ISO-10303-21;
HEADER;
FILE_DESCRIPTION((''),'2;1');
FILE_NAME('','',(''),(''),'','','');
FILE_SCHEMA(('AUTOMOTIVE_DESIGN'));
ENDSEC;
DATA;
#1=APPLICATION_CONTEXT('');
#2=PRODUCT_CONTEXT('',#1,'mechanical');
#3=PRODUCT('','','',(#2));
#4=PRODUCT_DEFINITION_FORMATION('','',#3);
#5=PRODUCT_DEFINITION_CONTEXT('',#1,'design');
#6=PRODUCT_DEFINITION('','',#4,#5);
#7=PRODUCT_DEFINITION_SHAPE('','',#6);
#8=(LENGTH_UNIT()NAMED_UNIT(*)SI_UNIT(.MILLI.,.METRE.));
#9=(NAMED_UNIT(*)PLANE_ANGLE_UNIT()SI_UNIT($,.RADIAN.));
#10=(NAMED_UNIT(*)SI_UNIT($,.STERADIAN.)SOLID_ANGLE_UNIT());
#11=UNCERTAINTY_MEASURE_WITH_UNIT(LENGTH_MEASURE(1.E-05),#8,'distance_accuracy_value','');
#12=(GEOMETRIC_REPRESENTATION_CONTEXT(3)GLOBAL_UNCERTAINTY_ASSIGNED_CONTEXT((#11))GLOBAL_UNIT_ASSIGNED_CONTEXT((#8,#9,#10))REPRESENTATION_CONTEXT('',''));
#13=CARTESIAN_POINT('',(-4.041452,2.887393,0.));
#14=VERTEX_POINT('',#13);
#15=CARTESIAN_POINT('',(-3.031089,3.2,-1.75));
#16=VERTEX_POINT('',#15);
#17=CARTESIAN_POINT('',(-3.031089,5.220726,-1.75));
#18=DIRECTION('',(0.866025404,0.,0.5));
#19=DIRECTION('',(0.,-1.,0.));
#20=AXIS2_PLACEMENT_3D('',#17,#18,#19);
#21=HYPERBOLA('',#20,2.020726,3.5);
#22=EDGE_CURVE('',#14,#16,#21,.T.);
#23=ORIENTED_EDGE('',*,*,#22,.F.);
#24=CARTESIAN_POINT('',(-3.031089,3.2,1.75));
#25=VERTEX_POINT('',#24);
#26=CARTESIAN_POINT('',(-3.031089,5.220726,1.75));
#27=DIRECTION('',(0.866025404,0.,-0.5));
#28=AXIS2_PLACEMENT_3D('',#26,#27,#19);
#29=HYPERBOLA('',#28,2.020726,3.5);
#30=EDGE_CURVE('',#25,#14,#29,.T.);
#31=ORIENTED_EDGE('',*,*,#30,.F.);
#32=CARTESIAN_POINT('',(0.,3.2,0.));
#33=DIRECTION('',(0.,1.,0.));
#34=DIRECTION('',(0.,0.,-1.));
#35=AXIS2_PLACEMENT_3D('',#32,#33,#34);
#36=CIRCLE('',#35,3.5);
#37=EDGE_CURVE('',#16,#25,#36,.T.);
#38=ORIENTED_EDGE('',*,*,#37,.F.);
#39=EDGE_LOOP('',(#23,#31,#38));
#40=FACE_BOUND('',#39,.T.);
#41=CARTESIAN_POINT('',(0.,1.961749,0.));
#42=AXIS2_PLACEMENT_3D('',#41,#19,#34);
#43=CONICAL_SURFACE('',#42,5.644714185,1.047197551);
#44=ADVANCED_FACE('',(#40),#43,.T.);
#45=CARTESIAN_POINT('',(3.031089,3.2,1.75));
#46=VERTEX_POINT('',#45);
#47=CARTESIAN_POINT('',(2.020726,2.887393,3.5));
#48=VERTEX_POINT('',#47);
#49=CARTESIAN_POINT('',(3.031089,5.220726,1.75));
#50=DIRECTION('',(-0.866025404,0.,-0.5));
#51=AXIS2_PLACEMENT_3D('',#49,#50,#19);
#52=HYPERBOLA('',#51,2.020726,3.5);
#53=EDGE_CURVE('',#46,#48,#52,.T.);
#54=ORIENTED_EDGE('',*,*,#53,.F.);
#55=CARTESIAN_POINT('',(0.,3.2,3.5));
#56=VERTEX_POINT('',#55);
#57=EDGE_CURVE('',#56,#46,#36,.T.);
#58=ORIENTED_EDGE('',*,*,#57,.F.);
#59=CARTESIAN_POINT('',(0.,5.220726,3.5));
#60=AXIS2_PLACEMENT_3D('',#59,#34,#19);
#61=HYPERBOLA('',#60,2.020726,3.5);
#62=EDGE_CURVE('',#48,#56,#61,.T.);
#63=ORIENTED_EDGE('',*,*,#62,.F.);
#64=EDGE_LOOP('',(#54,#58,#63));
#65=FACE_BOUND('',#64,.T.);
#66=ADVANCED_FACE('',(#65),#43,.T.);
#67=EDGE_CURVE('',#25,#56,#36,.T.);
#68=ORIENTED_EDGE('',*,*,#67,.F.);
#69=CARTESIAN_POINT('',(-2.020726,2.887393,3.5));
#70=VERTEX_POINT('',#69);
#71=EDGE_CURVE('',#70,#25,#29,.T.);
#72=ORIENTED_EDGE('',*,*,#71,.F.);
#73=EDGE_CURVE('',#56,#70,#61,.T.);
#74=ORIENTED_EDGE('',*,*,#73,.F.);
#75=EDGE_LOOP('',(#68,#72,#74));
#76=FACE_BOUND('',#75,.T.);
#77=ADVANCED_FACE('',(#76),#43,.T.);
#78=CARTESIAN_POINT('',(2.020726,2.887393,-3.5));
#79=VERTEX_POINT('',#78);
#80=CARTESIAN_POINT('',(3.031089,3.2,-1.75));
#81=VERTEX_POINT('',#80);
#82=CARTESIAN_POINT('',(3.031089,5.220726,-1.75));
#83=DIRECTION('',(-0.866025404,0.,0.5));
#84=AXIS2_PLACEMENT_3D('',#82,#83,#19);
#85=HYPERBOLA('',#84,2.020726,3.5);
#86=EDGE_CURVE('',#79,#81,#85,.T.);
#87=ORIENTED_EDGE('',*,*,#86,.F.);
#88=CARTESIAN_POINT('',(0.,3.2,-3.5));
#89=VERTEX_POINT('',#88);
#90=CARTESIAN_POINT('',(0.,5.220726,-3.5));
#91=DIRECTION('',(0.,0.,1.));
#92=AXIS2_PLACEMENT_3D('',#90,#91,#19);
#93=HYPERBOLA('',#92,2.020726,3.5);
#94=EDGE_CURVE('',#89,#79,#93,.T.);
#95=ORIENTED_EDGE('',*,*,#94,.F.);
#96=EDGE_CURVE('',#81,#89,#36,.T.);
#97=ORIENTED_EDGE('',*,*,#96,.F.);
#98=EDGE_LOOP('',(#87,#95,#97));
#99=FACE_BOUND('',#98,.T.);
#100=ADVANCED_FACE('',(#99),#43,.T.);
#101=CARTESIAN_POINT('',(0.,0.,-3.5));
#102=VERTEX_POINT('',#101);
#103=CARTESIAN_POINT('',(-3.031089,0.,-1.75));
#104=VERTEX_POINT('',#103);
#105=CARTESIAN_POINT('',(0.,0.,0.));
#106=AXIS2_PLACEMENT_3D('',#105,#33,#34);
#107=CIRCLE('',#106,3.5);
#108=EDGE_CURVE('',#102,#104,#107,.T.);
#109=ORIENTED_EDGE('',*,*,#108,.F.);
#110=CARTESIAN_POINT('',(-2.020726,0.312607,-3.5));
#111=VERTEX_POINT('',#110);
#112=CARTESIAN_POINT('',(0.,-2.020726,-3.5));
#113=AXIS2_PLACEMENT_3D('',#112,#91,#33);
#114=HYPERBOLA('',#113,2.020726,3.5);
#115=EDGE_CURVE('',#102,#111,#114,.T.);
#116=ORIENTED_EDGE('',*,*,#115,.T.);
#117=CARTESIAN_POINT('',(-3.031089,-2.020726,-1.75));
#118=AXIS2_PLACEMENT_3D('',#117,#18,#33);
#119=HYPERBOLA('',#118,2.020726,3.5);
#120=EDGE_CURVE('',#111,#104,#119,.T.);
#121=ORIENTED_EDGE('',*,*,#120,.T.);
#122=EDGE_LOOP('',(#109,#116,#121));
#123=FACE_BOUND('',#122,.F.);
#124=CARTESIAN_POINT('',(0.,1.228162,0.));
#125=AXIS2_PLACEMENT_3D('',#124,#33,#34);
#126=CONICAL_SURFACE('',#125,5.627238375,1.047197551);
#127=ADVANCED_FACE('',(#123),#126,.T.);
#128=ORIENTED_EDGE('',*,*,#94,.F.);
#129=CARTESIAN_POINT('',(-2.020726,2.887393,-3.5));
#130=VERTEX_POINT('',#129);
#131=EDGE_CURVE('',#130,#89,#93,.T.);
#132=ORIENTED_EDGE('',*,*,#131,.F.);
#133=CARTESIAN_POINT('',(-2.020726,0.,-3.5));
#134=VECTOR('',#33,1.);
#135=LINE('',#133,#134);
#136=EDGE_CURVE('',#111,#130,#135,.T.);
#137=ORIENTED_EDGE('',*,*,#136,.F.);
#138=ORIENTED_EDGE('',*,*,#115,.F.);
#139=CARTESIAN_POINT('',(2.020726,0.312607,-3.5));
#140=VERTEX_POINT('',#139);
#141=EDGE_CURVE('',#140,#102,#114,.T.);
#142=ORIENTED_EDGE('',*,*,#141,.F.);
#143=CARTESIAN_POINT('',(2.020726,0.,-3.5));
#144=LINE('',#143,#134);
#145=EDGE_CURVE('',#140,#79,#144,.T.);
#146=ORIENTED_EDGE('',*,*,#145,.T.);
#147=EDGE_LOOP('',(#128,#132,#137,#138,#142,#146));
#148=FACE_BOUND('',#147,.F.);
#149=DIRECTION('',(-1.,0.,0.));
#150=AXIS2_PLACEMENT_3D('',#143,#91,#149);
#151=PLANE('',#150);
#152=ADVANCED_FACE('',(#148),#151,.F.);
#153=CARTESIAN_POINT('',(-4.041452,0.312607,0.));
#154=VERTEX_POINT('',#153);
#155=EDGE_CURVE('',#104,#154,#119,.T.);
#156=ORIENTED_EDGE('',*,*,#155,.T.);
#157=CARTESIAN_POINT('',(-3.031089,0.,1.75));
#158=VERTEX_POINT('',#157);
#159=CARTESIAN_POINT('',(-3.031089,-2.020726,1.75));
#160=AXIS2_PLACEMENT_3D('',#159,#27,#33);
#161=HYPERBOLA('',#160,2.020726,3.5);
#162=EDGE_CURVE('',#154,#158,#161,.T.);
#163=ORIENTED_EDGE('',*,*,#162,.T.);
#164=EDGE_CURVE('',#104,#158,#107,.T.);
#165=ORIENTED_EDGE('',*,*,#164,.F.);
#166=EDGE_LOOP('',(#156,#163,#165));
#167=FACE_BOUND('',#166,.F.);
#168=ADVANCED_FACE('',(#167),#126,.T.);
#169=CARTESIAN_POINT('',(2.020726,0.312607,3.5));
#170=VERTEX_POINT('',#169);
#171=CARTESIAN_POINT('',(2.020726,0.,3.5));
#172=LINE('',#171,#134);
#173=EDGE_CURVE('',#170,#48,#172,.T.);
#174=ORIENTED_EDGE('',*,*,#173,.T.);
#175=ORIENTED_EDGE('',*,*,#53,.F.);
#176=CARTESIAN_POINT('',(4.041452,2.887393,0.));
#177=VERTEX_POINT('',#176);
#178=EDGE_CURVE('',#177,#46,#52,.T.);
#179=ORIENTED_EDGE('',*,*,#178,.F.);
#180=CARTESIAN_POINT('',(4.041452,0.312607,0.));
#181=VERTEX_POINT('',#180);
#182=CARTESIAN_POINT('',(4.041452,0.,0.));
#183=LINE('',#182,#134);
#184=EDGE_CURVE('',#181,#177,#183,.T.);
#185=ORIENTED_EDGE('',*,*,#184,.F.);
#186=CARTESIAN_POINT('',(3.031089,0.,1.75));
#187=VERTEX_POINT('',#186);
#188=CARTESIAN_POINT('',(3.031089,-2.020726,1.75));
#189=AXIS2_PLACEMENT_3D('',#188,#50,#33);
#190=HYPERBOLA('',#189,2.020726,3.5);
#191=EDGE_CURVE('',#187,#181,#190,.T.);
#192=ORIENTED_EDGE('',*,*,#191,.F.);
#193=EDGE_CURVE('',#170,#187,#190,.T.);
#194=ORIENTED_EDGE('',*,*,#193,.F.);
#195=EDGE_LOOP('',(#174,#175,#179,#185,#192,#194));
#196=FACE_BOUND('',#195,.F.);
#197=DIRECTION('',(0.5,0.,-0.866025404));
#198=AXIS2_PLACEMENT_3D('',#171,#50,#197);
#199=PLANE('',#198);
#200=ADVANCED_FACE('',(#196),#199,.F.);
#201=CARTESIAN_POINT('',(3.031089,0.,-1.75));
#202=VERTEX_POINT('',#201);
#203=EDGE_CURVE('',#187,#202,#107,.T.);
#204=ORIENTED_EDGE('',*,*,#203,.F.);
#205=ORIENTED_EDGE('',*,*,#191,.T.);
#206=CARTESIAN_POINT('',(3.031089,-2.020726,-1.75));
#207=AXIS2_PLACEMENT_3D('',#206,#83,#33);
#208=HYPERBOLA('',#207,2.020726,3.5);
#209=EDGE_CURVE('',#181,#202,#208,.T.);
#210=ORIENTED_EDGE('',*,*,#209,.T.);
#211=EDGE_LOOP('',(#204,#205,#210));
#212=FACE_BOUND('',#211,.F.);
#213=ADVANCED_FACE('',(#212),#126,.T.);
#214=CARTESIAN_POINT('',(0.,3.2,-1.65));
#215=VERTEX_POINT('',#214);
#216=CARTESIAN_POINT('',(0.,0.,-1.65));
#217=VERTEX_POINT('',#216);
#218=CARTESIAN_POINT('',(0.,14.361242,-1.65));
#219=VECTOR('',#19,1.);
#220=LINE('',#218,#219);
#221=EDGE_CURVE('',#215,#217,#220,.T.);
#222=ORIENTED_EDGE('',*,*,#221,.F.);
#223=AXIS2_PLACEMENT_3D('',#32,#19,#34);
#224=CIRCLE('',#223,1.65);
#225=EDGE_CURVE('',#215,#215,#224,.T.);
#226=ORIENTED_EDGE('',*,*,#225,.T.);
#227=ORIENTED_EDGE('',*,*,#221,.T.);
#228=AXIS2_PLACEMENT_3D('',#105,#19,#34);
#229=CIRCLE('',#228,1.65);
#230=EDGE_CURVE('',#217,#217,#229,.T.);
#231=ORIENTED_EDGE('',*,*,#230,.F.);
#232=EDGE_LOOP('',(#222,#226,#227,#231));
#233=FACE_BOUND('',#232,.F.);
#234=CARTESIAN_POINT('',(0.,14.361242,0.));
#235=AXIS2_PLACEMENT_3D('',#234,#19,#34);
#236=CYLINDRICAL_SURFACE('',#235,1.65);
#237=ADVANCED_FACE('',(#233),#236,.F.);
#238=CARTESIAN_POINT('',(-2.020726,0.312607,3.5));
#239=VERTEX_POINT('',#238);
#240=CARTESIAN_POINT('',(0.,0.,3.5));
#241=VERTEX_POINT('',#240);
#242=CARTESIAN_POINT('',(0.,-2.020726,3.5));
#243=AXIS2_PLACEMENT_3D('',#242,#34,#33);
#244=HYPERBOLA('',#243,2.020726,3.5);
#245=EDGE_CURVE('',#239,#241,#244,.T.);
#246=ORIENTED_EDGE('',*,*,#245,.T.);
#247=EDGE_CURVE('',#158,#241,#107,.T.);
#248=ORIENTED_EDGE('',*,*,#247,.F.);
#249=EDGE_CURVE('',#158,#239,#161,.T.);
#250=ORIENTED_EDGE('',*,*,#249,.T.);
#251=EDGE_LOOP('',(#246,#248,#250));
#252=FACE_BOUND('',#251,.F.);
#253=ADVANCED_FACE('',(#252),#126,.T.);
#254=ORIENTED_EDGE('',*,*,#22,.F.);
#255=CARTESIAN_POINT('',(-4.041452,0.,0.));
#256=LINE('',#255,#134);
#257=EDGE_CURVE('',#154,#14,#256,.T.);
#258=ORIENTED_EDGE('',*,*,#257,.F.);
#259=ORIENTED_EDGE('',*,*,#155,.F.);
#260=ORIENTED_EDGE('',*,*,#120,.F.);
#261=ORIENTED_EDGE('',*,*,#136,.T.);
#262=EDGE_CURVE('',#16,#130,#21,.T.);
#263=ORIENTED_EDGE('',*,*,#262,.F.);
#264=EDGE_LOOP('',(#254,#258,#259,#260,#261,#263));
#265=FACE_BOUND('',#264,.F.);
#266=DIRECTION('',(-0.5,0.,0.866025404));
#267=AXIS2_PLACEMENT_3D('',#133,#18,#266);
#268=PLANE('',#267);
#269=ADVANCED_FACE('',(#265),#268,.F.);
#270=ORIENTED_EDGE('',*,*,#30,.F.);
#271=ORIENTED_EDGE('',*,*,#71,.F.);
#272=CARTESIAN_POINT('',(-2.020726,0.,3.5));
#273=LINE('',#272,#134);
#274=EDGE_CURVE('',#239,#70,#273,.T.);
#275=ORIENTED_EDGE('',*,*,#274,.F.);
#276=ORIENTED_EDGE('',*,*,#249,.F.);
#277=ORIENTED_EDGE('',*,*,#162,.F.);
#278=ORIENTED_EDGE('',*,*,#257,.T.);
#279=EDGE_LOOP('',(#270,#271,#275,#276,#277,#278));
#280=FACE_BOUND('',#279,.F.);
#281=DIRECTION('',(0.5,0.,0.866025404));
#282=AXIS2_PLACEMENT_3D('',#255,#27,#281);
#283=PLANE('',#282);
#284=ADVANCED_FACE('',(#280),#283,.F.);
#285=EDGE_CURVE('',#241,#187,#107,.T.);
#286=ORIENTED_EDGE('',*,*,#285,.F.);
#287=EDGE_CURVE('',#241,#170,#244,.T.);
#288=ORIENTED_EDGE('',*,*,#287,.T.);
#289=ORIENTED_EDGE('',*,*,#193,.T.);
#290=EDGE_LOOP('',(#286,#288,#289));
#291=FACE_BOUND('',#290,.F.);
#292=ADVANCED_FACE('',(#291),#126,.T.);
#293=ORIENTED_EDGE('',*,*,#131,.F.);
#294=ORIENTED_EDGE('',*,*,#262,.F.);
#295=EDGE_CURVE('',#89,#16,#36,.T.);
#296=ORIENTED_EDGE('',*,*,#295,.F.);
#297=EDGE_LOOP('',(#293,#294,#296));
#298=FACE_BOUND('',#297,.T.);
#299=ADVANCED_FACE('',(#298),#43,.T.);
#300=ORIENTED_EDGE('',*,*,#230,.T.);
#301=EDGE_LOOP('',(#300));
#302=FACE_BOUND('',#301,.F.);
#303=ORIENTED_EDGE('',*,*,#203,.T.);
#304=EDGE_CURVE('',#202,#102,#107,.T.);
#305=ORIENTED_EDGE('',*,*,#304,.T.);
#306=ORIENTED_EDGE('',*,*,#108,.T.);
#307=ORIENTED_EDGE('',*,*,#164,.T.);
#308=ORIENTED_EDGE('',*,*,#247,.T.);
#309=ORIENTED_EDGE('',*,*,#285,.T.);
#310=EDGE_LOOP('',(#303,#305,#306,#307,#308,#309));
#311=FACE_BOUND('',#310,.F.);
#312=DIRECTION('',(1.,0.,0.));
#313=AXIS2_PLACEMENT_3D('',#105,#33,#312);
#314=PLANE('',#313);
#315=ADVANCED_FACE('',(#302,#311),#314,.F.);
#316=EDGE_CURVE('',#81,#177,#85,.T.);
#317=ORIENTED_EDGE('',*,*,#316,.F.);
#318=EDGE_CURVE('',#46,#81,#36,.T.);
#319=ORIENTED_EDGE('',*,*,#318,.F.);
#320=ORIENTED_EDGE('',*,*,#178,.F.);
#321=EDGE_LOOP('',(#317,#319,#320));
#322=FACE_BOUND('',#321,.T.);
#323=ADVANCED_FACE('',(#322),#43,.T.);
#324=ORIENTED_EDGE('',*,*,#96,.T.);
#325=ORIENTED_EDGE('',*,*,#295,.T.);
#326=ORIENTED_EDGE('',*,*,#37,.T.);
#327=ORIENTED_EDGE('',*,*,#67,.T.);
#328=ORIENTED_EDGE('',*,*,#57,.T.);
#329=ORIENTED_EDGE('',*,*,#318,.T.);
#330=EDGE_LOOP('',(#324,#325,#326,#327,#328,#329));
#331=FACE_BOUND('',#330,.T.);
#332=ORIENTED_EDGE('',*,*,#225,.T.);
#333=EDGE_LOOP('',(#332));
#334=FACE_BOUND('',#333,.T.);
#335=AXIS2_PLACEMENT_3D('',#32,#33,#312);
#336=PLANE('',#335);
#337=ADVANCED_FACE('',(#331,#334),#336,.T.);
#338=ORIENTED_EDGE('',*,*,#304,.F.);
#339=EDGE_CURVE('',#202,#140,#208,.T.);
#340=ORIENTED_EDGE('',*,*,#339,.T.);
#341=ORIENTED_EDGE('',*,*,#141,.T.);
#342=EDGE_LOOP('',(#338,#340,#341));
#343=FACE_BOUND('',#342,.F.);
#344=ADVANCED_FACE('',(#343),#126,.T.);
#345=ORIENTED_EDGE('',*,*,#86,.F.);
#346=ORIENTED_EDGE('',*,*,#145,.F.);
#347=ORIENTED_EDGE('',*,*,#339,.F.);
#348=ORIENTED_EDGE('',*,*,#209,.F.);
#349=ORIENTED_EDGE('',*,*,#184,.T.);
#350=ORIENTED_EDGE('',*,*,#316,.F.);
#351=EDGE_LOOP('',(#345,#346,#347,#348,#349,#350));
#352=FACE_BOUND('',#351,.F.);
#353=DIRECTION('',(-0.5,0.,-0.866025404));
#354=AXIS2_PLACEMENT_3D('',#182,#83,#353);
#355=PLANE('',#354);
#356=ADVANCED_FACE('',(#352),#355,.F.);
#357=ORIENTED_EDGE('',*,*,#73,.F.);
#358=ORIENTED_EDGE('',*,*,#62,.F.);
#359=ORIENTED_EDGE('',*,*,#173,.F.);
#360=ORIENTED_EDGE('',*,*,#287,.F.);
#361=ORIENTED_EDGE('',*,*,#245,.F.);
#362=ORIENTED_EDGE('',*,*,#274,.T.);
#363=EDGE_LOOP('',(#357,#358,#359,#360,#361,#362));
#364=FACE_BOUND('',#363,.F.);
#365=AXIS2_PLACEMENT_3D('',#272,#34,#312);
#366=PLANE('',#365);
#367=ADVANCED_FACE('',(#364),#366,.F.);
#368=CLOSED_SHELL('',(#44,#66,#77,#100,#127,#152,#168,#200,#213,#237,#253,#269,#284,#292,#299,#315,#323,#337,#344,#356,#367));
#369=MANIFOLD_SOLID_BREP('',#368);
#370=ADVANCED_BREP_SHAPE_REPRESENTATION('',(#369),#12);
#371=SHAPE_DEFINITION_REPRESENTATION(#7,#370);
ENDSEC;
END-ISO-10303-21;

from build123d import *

# Parameters (mm, degrees)
BOSS_EXTRUDE1_DEPTH = 3.2
M4_TAPPED_HOLE1_D   = 3.3


with BuildPart() as part:
    # Sketch1 → Boss-Extrude1 (new body)
    with BuildSketch(Plane(origin=(0, 0, 0), x_dir=(1, 0, 0), z_dir=(0, 1, 0))):
        Polygon((-2.020725942, -3.5), (2.020725942, -3.5), (4.041451884, 0), (2.020725942, 3.5), (-2.020725942, 3.5), (-4.041451884, 0), align=None)
    extrude(amount=BOSS_EXTRUDE1_DEPTH)

    # Sketch2 → Cut-Revolve1 (revolve, cut)
    with BuildSketch(Plane(origin=(0, 0, 0), x_dir=(0, 0, -1), z_dir=(1, 0, 0))):
        Polygon((5.627238375, 1.228161648), (3.5, 0), (5.627238375, 0), align=None)
        Polygon((3.5, 3.2), (5.644714185, 3.2), (5.644714185, 1.961748688), align=None)
    revolve(axis=Axis((0, 0, 0), (0, 1, 0)), mode=Mode.SUBTRACT)

    # M4 Tapped Hole1 (through all)
    with Locations(Plane.ZX.offset(3.2)):
        with Locations((0, 0)):
            Hole(M4_TAPPED_HOLE1_D / 2)


solid = part.part
